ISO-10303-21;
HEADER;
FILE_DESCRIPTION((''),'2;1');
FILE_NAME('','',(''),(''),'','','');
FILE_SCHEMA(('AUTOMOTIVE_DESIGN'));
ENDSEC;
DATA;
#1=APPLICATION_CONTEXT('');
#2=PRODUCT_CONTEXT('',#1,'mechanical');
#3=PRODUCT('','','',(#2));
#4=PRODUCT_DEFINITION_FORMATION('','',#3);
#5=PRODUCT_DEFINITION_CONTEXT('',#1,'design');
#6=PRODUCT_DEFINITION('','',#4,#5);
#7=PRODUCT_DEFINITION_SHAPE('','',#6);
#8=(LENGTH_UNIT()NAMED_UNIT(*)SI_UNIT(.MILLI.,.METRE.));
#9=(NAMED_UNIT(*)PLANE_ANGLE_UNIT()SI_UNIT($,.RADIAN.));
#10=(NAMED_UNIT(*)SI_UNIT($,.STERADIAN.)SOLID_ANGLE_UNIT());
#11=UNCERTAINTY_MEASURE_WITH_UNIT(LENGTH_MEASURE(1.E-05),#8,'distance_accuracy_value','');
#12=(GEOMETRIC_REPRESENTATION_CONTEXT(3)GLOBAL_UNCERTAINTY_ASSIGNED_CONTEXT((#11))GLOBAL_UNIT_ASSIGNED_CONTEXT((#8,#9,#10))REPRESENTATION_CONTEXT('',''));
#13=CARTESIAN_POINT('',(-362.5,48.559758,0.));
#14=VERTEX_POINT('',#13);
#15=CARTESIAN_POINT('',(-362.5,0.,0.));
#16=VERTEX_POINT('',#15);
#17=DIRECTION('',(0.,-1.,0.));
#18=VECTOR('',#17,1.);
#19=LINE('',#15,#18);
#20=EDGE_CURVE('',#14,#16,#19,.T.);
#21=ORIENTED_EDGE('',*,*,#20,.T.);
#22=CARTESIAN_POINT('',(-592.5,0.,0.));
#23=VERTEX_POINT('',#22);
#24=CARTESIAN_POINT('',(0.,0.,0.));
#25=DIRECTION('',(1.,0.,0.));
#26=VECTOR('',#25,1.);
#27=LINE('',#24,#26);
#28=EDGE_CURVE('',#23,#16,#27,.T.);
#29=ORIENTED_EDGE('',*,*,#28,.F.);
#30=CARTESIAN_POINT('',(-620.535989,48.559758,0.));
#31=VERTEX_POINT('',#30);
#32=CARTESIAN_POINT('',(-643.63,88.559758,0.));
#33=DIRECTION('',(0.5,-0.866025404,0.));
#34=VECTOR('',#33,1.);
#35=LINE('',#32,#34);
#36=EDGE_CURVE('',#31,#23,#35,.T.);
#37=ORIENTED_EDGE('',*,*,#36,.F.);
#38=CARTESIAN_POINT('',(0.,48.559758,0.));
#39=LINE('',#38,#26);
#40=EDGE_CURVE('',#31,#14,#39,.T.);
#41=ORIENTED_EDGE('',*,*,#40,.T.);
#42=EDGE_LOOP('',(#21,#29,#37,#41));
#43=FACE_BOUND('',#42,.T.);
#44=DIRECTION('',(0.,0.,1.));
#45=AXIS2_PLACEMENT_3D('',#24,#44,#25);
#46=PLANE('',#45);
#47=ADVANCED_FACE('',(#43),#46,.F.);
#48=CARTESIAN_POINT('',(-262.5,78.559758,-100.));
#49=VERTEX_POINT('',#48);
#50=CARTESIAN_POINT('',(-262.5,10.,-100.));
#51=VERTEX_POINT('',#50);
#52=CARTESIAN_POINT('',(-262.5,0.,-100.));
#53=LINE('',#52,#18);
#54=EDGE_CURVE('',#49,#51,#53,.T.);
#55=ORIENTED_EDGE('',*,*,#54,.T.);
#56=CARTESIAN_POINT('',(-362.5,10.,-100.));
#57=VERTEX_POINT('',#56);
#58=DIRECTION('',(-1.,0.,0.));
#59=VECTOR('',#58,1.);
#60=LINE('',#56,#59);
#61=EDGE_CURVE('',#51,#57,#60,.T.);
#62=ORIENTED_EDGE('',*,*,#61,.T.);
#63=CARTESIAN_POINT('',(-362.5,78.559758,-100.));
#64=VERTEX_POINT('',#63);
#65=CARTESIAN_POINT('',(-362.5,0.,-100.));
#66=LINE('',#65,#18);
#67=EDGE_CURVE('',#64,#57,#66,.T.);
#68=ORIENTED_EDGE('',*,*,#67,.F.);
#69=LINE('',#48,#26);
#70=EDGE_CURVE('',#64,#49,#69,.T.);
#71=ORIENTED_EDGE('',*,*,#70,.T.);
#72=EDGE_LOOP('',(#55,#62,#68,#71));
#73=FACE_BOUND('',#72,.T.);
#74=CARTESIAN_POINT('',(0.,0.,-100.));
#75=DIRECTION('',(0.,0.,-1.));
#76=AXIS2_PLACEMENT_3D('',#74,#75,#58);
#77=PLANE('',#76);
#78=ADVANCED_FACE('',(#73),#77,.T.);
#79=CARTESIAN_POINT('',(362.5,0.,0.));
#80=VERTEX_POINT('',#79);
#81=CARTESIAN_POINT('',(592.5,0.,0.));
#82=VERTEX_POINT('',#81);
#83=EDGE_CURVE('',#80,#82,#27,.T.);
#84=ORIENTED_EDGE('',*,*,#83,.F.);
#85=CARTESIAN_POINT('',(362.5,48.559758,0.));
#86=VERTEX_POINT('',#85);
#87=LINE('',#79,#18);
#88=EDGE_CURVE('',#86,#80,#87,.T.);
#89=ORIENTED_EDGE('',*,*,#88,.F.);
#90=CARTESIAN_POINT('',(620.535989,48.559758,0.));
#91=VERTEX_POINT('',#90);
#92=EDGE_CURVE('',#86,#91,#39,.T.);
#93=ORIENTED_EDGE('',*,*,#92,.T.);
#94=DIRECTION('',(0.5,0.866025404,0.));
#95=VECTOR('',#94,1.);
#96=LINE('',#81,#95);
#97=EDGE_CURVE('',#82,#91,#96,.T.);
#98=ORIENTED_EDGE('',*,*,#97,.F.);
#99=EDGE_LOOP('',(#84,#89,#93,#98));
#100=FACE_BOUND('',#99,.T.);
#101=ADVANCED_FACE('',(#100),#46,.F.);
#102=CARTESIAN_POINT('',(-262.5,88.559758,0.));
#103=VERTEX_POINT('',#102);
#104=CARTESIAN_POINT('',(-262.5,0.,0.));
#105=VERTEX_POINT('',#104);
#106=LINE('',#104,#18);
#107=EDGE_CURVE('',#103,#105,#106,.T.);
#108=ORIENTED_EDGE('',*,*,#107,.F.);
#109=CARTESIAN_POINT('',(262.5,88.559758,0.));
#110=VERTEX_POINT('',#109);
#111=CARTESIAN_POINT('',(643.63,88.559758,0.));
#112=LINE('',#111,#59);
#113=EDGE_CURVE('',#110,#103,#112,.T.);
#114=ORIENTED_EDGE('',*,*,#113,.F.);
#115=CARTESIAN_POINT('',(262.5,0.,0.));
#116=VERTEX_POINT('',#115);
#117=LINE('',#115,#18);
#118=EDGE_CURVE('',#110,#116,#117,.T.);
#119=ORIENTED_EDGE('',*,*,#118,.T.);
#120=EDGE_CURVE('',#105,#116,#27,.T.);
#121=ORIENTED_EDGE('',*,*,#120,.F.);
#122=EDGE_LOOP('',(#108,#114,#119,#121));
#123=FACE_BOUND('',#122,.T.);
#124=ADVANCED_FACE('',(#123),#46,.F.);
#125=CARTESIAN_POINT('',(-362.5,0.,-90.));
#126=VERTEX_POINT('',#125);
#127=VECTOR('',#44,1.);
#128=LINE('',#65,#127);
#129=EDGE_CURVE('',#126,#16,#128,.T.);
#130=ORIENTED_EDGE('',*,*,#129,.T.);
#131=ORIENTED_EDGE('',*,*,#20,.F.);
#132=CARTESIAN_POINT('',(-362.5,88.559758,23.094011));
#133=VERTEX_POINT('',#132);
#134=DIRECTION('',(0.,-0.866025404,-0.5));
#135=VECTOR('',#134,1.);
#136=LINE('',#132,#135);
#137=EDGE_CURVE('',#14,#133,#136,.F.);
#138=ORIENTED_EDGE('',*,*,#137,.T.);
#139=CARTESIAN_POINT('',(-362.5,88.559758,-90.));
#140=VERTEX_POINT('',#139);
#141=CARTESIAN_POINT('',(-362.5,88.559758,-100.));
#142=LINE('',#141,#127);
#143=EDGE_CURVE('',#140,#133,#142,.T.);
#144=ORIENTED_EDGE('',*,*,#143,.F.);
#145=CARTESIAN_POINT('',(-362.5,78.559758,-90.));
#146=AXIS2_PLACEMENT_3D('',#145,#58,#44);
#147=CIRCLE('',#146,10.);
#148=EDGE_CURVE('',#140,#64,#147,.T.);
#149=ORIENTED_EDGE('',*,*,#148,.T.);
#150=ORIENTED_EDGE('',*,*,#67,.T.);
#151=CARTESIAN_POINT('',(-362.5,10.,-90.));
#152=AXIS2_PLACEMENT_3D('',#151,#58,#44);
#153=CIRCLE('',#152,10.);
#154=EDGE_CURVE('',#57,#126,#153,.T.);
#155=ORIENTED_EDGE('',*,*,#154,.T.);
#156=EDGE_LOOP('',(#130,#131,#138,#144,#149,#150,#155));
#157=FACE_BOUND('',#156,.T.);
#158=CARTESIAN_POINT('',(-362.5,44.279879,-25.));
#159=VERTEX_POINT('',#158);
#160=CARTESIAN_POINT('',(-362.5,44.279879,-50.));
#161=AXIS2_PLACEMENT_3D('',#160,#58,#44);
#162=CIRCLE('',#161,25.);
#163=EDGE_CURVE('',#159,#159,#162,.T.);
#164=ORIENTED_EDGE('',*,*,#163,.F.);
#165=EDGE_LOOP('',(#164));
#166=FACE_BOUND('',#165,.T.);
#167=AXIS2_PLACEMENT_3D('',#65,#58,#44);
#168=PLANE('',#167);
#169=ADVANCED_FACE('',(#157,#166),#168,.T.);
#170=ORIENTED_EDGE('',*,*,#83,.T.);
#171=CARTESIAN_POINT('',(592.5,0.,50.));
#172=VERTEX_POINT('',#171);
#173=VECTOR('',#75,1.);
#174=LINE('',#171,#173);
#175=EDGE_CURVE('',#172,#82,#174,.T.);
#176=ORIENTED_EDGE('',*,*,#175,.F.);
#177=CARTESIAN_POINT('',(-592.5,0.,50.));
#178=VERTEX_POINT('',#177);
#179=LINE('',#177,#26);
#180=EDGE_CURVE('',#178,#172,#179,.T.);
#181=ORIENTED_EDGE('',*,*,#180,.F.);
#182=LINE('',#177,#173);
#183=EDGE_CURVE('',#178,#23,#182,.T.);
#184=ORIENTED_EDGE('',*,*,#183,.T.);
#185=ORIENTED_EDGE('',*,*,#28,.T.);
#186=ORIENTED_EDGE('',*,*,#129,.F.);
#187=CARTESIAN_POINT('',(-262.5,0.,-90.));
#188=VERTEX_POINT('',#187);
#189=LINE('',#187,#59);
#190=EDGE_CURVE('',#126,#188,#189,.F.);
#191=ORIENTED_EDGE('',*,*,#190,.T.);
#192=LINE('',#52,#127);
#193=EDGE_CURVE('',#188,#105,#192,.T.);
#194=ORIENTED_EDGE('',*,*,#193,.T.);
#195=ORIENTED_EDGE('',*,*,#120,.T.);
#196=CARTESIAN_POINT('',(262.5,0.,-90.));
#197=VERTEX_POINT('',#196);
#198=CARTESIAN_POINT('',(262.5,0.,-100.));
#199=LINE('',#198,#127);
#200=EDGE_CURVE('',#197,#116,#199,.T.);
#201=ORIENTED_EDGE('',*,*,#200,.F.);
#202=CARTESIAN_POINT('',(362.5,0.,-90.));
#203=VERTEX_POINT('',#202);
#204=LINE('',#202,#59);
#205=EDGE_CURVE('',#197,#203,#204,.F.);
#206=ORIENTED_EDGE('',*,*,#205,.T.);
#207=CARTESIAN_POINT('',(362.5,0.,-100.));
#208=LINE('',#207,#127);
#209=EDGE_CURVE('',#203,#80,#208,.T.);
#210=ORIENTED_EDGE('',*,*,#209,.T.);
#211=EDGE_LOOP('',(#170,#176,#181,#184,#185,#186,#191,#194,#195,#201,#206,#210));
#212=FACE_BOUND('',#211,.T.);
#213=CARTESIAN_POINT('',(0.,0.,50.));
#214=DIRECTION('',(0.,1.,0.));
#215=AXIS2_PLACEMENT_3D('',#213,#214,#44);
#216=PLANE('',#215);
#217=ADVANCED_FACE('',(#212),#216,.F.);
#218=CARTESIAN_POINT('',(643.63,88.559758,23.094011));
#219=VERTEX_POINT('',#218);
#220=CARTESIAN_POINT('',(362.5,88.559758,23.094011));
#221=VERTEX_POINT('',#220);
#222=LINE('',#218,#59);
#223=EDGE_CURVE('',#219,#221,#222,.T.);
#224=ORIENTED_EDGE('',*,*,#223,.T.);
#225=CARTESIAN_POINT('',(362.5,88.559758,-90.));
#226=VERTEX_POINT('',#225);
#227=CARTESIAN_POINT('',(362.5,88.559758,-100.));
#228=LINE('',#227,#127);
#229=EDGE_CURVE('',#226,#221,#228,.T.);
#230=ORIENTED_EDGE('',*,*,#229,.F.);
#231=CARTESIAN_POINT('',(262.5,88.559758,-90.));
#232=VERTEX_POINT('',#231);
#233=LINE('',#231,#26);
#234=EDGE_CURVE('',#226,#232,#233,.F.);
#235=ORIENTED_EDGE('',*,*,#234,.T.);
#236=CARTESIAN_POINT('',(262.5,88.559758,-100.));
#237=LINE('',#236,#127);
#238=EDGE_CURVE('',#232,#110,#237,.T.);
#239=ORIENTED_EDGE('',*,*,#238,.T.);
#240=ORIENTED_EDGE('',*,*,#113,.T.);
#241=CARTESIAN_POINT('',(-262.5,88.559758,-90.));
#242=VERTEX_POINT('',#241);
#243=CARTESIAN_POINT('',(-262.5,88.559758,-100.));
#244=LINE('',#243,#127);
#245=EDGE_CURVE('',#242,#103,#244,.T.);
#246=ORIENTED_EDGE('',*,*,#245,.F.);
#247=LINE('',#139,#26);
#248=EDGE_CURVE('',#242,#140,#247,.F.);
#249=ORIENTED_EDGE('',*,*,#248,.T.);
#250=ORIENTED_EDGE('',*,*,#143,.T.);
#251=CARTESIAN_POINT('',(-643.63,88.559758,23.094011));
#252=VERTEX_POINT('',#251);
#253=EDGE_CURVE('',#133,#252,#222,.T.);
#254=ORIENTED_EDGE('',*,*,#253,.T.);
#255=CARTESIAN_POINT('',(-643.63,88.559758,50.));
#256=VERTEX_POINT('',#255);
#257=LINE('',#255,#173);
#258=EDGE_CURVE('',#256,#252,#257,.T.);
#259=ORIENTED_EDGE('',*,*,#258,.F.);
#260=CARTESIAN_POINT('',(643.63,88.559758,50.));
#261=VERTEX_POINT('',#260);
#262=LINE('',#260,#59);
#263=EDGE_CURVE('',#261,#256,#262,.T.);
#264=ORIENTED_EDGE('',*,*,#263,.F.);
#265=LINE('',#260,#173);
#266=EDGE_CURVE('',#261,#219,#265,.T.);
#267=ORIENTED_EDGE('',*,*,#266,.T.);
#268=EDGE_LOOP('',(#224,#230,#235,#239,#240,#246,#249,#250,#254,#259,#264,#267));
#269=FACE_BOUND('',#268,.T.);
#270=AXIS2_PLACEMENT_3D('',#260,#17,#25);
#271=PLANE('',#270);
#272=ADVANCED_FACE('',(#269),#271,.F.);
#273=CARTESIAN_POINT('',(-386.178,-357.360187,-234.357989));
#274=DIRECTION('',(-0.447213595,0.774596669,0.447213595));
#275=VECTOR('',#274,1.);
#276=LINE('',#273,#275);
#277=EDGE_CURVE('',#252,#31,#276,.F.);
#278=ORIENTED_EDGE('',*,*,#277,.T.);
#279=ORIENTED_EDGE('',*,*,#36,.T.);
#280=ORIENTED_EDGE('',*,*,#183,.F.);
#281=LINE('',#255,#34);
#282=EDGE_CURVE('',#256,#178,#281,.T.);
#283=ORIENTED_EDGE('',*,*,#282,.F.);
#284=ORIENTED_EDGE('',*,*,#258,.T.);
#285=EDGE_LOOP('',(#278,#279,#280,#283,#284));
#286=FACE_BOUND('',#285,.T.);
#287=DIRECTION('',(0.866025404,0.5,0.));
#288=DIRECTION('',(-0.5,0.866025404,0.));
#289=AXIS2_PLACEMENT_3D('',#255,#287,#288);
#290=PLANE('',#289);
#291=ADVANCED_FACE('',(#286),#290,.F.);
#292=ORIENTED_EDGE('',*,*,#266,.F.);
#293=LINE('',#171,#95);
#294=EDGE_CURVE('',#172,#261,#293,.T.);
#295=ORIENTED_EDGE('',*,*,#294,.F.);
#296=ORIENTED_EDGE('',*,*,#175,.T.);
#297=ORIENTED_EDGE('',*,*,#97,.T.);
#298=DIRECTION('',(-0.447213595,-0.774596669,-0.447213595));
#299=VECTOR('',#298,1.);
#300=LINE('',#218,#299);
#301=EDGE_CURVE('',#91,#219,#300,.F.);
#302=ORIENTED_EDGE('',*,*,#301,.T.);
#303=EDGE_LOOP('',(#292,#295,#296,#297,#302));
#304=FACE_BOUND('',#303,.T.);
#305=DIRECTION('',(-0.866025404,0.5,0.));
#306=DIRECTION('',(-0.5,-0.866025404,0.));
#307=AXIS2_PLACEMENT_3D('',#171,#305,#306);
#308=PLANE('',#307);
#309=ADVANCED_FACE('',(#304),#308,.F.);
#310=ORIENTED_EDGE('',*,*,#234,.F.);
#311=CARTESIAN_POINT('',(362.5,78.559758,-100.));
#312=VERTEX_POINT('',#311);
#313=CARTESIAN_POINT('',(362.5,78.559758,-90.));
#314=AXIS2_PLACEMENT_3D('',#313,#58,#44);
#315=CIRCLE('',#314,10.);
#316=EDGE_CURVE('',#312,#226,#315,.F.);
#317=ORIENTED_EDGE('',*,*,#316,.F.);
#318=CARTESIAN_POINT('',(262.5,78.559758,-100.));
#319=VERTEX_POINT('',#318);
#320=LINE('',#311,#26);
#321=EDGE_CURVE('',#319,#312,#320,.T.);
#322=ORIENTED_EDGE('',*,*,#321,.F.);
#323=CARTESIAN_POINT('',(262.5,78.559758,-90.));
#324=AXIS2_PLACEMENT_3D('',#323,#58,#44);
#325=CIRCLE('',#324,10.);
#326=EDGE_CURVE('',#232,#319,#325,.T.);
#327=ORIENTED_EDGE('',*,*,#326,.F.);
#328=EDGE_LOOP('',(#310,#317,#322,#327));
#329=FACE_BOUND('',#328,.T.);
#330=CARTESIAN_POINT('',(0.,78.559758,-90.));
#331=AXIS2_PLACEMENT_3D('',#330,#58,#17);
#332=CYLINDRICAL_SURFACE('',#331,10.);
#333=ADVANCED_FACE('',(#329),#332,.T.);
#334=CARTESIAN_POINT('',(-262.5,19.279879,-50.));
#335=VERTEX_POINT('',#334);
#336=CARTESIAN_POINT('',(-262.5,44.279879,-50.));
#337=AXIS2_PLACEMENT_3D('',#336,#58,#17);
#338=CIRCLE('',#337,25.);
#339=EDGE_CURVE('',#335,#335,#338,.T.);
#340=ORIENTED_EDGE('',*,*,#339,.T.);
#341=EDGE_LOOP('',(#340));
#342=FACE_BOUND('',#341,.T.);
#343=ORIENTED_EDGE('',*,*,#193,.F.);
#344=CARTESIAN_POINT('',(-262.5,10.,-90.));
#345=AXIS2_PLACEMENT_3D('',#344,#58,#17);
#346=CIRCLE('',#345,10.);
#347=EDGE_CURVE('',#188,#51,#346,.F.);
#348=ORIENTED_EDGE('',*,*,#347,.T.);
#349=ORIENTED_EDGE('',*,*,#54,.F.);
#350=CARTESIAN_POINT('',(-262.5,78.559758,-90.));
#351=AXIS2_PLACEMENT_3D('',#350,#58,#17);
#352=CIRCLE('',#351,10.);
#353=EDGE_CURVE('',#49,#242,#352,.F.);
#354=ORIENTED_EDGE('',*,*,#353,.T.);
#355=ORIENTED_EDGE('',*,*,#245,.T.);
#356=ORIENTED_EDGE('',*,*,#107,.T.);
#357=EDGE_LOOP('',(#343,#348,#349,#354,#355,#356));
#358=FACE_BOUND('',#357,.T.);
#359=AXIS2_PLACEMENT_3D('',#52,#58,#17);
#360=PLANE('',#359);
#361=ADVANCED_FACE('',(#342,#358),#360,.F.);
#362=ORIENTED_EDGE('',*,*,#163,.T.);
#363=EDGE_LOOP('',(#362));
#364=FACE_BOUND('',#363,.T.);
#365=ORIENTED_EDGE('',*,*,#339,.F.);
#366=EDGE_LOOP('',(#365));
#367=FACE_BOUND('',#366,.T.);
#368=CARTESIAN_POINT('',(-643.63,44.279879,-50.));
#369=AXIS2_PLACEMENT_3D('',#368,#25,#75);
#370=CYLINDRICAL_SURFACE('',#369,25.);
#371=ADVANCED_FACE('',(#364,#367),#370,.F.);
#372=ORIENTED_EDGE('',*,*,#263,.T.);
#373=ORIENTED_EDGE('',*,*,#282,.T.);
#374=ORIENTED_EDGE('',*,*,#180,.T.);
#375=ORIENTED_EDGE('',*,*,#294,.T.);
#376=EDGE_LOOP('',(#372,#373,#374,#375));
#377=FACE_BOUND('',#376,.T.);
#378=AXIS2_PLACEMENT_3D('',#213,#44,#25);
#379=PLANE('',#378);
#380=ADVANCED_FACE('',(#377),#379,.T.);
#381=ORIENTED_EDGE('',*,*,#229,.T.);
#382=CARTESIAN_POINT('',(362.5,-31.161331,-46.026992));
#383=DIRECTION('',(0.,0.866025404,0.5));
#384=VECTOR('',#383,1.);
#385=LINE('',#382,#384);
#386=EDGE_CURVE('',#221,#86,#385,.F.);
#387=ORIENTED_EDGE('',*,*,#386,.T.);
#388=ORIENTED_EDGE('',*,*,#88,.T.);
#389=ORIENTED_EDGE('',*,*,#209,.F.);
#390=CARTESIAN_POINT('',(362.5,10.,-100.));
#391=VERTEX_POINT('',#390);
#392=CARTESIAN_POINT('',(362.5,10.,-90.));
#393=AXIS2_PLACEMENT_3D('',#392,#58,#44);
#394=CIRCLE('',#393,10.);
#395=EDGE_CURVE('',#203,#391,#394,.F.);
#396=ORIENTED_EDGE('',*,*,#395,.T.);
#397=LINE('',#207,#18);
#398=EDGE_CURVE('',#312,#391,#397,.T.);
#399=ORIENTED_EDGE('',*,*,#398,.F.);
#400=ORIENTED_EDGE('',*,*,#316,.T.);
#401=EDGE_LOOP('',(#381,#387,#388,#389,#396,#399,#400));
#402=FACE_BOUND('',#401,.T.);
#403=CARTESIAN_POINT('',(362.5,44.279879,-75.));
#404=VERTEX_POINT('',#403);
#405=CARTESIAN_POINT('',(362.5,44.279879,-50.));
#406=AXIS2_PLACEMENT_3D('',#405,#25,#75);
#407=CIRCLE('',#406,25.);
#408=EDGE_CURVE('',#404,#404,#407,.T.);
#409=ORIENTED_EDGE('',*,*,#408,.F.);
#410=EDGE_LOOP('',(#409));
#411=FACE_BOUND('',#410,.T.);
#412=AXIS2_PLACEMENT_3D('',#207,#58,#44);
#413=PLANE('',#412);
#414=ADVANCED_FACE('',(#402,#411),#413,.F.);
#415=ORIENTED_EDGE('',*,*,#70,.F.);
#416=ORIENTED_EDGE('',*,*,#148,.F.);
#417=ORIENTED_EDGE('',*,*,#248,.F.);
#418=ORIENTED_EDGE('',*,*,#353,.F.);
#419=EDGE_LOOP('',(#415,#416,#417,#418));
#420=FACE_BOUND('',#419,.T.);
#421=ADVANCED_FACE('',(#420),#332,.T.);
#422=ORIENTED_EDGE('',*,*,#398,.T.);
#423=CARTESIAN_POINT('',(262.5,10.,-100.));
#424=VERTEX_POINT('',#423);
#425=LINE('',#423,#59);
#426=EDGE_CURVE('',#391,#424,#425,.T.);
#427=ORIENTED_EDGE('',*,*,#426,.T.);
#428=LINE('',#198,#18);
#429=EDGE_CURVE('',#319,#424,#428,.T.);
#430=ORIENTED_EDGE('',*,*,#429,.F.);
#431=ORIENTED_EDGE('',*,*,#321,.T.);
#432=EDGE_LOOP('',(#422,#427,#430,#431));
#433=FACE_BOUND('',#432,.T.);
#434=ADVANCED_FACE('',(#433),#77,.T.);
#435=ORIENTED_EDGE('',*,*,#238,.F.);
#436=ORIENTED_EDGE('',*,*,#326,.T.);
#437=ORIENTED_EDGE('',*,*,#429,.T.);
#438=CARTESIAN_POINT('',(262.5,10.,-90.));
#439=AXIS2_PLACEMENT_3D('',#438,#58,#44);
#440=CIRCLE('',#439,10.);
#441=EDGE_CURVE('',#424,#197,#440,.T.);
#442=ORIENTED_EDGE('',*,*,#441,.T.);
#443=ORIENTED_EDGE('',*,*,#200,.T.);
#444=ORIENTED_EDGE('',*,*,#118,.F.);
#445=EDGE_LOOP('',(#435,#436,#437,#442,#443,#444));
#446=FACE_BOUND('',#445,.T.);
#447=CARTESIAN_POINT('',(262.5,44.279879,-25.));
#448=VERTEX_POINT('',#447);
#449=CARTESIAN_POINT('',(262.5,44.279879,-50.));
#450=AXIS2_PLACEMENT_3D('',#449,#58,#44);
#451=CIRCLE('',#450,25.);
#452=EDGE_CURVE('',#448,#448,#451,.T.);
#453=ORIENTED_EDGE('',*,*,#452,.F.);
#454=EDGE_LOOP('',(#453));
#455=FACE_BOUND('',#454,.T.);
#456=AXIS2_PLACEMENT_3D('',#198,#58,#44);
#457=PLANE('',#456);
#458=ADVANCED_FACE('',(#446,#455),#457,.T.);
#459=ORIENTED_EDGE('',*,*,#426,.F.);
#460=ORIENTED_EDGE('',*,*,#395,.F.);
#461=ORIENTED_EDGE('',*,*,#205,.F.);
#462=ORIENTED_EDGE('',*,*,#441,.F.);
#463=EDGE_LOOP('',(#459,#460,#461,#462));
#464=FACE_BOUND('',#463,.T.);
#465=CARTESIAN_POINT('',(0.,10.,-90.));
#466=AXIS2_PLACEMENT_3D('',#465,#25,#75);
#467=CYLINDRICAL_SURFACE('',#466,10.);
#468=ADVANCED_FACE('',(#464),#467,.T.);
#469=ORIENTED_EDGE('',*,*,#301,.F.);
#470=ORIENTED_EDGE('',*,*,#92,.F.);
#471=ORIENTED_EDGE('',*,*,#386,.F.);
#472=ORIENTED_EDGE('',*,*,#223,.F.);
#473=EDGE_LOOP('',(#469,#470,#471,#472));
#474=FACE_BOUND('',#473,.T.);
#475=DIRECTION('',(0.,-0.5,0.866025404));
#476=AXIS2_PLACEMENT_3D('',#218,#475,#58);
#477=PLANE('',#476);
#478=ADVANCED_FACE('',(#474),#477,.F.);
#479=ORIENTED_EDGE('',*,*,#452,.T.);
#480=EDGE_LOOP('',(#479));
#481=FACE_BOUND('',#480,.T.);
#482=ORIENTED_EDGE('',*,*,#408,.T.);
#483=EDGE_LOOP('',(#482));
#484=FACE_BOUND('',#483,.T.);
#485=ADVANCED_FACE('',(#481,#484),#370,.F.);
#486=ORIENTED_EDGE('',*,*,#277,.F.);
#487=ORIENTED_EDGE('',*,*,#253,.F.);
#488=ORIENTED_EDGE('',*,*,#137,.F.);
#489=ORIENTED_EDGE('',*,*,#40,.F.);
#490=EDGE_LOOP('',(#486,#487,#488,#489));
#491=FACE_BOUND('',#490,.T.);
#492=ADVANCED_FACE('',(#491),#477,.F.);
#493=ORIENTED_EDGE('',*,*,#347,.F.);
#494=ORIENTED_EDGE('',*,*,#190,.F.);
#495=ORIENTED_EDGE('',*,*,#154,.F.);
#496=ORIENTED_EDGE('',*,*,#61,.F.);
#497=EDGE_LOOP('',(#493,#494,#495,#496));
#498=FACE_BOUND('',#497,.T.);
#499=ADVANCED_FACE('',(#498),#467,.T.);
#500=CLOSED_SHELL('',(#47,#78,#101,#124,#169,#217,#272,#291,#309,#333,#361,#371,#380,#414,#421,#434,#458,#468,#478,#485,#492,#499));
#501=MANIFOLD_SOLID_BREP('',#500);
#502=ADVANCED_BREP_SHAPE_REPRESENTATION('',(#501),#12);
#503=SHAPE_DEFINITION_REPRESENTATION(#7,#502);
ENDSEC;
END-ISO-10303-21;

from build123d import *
from OCP.BRepFilletAPI import BRepFilletAPI_MakeChamfer

# Parameters (mm, degrees)
BOSS_EXTRUDE1_DEPTH = 50
BOSS_EXTRUDE2_DEPTH = 100
SKETCH3_R           = 25
CUT_EXTRUDE1_DEPTH  = 1015.958328012
FILLET1_R           = 10
CHAMFER1_SIZE       = 40
CHAMFER1_SIZE2      = 23.094010768


with BuildPart() as part:
    # Sketch1 → Boss-Extrude1 (new body)
    with BuildSketch(Plane.XY):
        Polygon((0, 0), (592.5, 0), (643.63, 88.559757791), (-643.63, 88.559757791), (-592.5, 0), align=None)
    extrude(amount=BOSS_EXTRUDE1_DEPTH)

    # Sketch2 → Boss-Extrude2 (add)
    with BuildSketch(Plane(origin=(0, 0, 0), x_dir=(-1, 0, 0), z_dir=(0, 0, -1))):
        Polygon((-312.5, 0), (-262.5, 0), (-262.5, 88.559757791), (-362.5, 88.559757791), (-362.5, 0), align=None)
        Polygon((262.5, 88.559757791), (262.5, 0), (312.5, 0), (362.5, 0), (362.5, 88.559757791), align=None)
    extrude(amount=BOSS_EXTRUDE2_DEPTH)

    # Sketch3 → Cut-Extrude1 (cut, through all)
    with BuildSketch(Plane(origin=(362.5, 0, 0), x_dir=(0, 0, -1), z_dir=(1, 0, 0))):
        with Locations((50, 44.279878895)):
            Circle(SKETCH3_R)
    extrude(amount=-CUT_EXTRUDE1_DEPTH, mode=Mode.SUBTRACT)

    # Fillet1
    fillet1_edges = [part.edges().sort_by_distance(p)[0] for p in [
        (-312.5, 88.559757791, -100),
        (-312.5, 0, -100),
        (312.5, 88.559757791, -100),
        (312.5, 0, -100),
    ]]
    fillet(fillet1_edges, radius=FILLET1_R)

    # Chamfer1: one chamfer whose edges measure the first distance from different faces: ONE call of the kernel's chamfer builder (chamfer() names one face for all edges)
    chamfer1_edges_1 = [part.edges().sort_by_distance(p)[0] for p in [
        (-503.065, 88.559757791, 0),
    ]]
    chamfer1_side_1 = [part.faces().sort_by_distance(p)[0] for p in [
        (-490.708725047, 45.75636577, 0),
    ]]
    chamfer1_edges_2 = [part.edges().sort_by_distance(p)[0] for p in [
        (503.065, 88.559757791, 0),
    ]]
    chamfer1_side_2 = [part.faces().sort_by_distance(p)[0] for p in [
        (490.708725047, 45.75636577, 0),
    ]]
    chamfer1 = BRepFilletAPI_MakeChamfer(part.part.solid().wrapped)
    for e in chamfer1_edges_1:
        chamfer1.Add(CHAMFER1_SIZE, CHAMFER1_SIZE2, e.wrapped, chamfer1_side_1[0].wrapped)  # the first distance lies on this face
    for e in chamfer1_edges_2:
        chamfer1.Add(CHAMFER1_SIZE, CHAMFER1_SIZE2, e.wrapped, chamfer1_side_2[0].wrapped)  # the first distance lies on this face
    add(Compound.cast(chamfer1.Shape()), mode=Mode.REPLACE)


solid = part.part
